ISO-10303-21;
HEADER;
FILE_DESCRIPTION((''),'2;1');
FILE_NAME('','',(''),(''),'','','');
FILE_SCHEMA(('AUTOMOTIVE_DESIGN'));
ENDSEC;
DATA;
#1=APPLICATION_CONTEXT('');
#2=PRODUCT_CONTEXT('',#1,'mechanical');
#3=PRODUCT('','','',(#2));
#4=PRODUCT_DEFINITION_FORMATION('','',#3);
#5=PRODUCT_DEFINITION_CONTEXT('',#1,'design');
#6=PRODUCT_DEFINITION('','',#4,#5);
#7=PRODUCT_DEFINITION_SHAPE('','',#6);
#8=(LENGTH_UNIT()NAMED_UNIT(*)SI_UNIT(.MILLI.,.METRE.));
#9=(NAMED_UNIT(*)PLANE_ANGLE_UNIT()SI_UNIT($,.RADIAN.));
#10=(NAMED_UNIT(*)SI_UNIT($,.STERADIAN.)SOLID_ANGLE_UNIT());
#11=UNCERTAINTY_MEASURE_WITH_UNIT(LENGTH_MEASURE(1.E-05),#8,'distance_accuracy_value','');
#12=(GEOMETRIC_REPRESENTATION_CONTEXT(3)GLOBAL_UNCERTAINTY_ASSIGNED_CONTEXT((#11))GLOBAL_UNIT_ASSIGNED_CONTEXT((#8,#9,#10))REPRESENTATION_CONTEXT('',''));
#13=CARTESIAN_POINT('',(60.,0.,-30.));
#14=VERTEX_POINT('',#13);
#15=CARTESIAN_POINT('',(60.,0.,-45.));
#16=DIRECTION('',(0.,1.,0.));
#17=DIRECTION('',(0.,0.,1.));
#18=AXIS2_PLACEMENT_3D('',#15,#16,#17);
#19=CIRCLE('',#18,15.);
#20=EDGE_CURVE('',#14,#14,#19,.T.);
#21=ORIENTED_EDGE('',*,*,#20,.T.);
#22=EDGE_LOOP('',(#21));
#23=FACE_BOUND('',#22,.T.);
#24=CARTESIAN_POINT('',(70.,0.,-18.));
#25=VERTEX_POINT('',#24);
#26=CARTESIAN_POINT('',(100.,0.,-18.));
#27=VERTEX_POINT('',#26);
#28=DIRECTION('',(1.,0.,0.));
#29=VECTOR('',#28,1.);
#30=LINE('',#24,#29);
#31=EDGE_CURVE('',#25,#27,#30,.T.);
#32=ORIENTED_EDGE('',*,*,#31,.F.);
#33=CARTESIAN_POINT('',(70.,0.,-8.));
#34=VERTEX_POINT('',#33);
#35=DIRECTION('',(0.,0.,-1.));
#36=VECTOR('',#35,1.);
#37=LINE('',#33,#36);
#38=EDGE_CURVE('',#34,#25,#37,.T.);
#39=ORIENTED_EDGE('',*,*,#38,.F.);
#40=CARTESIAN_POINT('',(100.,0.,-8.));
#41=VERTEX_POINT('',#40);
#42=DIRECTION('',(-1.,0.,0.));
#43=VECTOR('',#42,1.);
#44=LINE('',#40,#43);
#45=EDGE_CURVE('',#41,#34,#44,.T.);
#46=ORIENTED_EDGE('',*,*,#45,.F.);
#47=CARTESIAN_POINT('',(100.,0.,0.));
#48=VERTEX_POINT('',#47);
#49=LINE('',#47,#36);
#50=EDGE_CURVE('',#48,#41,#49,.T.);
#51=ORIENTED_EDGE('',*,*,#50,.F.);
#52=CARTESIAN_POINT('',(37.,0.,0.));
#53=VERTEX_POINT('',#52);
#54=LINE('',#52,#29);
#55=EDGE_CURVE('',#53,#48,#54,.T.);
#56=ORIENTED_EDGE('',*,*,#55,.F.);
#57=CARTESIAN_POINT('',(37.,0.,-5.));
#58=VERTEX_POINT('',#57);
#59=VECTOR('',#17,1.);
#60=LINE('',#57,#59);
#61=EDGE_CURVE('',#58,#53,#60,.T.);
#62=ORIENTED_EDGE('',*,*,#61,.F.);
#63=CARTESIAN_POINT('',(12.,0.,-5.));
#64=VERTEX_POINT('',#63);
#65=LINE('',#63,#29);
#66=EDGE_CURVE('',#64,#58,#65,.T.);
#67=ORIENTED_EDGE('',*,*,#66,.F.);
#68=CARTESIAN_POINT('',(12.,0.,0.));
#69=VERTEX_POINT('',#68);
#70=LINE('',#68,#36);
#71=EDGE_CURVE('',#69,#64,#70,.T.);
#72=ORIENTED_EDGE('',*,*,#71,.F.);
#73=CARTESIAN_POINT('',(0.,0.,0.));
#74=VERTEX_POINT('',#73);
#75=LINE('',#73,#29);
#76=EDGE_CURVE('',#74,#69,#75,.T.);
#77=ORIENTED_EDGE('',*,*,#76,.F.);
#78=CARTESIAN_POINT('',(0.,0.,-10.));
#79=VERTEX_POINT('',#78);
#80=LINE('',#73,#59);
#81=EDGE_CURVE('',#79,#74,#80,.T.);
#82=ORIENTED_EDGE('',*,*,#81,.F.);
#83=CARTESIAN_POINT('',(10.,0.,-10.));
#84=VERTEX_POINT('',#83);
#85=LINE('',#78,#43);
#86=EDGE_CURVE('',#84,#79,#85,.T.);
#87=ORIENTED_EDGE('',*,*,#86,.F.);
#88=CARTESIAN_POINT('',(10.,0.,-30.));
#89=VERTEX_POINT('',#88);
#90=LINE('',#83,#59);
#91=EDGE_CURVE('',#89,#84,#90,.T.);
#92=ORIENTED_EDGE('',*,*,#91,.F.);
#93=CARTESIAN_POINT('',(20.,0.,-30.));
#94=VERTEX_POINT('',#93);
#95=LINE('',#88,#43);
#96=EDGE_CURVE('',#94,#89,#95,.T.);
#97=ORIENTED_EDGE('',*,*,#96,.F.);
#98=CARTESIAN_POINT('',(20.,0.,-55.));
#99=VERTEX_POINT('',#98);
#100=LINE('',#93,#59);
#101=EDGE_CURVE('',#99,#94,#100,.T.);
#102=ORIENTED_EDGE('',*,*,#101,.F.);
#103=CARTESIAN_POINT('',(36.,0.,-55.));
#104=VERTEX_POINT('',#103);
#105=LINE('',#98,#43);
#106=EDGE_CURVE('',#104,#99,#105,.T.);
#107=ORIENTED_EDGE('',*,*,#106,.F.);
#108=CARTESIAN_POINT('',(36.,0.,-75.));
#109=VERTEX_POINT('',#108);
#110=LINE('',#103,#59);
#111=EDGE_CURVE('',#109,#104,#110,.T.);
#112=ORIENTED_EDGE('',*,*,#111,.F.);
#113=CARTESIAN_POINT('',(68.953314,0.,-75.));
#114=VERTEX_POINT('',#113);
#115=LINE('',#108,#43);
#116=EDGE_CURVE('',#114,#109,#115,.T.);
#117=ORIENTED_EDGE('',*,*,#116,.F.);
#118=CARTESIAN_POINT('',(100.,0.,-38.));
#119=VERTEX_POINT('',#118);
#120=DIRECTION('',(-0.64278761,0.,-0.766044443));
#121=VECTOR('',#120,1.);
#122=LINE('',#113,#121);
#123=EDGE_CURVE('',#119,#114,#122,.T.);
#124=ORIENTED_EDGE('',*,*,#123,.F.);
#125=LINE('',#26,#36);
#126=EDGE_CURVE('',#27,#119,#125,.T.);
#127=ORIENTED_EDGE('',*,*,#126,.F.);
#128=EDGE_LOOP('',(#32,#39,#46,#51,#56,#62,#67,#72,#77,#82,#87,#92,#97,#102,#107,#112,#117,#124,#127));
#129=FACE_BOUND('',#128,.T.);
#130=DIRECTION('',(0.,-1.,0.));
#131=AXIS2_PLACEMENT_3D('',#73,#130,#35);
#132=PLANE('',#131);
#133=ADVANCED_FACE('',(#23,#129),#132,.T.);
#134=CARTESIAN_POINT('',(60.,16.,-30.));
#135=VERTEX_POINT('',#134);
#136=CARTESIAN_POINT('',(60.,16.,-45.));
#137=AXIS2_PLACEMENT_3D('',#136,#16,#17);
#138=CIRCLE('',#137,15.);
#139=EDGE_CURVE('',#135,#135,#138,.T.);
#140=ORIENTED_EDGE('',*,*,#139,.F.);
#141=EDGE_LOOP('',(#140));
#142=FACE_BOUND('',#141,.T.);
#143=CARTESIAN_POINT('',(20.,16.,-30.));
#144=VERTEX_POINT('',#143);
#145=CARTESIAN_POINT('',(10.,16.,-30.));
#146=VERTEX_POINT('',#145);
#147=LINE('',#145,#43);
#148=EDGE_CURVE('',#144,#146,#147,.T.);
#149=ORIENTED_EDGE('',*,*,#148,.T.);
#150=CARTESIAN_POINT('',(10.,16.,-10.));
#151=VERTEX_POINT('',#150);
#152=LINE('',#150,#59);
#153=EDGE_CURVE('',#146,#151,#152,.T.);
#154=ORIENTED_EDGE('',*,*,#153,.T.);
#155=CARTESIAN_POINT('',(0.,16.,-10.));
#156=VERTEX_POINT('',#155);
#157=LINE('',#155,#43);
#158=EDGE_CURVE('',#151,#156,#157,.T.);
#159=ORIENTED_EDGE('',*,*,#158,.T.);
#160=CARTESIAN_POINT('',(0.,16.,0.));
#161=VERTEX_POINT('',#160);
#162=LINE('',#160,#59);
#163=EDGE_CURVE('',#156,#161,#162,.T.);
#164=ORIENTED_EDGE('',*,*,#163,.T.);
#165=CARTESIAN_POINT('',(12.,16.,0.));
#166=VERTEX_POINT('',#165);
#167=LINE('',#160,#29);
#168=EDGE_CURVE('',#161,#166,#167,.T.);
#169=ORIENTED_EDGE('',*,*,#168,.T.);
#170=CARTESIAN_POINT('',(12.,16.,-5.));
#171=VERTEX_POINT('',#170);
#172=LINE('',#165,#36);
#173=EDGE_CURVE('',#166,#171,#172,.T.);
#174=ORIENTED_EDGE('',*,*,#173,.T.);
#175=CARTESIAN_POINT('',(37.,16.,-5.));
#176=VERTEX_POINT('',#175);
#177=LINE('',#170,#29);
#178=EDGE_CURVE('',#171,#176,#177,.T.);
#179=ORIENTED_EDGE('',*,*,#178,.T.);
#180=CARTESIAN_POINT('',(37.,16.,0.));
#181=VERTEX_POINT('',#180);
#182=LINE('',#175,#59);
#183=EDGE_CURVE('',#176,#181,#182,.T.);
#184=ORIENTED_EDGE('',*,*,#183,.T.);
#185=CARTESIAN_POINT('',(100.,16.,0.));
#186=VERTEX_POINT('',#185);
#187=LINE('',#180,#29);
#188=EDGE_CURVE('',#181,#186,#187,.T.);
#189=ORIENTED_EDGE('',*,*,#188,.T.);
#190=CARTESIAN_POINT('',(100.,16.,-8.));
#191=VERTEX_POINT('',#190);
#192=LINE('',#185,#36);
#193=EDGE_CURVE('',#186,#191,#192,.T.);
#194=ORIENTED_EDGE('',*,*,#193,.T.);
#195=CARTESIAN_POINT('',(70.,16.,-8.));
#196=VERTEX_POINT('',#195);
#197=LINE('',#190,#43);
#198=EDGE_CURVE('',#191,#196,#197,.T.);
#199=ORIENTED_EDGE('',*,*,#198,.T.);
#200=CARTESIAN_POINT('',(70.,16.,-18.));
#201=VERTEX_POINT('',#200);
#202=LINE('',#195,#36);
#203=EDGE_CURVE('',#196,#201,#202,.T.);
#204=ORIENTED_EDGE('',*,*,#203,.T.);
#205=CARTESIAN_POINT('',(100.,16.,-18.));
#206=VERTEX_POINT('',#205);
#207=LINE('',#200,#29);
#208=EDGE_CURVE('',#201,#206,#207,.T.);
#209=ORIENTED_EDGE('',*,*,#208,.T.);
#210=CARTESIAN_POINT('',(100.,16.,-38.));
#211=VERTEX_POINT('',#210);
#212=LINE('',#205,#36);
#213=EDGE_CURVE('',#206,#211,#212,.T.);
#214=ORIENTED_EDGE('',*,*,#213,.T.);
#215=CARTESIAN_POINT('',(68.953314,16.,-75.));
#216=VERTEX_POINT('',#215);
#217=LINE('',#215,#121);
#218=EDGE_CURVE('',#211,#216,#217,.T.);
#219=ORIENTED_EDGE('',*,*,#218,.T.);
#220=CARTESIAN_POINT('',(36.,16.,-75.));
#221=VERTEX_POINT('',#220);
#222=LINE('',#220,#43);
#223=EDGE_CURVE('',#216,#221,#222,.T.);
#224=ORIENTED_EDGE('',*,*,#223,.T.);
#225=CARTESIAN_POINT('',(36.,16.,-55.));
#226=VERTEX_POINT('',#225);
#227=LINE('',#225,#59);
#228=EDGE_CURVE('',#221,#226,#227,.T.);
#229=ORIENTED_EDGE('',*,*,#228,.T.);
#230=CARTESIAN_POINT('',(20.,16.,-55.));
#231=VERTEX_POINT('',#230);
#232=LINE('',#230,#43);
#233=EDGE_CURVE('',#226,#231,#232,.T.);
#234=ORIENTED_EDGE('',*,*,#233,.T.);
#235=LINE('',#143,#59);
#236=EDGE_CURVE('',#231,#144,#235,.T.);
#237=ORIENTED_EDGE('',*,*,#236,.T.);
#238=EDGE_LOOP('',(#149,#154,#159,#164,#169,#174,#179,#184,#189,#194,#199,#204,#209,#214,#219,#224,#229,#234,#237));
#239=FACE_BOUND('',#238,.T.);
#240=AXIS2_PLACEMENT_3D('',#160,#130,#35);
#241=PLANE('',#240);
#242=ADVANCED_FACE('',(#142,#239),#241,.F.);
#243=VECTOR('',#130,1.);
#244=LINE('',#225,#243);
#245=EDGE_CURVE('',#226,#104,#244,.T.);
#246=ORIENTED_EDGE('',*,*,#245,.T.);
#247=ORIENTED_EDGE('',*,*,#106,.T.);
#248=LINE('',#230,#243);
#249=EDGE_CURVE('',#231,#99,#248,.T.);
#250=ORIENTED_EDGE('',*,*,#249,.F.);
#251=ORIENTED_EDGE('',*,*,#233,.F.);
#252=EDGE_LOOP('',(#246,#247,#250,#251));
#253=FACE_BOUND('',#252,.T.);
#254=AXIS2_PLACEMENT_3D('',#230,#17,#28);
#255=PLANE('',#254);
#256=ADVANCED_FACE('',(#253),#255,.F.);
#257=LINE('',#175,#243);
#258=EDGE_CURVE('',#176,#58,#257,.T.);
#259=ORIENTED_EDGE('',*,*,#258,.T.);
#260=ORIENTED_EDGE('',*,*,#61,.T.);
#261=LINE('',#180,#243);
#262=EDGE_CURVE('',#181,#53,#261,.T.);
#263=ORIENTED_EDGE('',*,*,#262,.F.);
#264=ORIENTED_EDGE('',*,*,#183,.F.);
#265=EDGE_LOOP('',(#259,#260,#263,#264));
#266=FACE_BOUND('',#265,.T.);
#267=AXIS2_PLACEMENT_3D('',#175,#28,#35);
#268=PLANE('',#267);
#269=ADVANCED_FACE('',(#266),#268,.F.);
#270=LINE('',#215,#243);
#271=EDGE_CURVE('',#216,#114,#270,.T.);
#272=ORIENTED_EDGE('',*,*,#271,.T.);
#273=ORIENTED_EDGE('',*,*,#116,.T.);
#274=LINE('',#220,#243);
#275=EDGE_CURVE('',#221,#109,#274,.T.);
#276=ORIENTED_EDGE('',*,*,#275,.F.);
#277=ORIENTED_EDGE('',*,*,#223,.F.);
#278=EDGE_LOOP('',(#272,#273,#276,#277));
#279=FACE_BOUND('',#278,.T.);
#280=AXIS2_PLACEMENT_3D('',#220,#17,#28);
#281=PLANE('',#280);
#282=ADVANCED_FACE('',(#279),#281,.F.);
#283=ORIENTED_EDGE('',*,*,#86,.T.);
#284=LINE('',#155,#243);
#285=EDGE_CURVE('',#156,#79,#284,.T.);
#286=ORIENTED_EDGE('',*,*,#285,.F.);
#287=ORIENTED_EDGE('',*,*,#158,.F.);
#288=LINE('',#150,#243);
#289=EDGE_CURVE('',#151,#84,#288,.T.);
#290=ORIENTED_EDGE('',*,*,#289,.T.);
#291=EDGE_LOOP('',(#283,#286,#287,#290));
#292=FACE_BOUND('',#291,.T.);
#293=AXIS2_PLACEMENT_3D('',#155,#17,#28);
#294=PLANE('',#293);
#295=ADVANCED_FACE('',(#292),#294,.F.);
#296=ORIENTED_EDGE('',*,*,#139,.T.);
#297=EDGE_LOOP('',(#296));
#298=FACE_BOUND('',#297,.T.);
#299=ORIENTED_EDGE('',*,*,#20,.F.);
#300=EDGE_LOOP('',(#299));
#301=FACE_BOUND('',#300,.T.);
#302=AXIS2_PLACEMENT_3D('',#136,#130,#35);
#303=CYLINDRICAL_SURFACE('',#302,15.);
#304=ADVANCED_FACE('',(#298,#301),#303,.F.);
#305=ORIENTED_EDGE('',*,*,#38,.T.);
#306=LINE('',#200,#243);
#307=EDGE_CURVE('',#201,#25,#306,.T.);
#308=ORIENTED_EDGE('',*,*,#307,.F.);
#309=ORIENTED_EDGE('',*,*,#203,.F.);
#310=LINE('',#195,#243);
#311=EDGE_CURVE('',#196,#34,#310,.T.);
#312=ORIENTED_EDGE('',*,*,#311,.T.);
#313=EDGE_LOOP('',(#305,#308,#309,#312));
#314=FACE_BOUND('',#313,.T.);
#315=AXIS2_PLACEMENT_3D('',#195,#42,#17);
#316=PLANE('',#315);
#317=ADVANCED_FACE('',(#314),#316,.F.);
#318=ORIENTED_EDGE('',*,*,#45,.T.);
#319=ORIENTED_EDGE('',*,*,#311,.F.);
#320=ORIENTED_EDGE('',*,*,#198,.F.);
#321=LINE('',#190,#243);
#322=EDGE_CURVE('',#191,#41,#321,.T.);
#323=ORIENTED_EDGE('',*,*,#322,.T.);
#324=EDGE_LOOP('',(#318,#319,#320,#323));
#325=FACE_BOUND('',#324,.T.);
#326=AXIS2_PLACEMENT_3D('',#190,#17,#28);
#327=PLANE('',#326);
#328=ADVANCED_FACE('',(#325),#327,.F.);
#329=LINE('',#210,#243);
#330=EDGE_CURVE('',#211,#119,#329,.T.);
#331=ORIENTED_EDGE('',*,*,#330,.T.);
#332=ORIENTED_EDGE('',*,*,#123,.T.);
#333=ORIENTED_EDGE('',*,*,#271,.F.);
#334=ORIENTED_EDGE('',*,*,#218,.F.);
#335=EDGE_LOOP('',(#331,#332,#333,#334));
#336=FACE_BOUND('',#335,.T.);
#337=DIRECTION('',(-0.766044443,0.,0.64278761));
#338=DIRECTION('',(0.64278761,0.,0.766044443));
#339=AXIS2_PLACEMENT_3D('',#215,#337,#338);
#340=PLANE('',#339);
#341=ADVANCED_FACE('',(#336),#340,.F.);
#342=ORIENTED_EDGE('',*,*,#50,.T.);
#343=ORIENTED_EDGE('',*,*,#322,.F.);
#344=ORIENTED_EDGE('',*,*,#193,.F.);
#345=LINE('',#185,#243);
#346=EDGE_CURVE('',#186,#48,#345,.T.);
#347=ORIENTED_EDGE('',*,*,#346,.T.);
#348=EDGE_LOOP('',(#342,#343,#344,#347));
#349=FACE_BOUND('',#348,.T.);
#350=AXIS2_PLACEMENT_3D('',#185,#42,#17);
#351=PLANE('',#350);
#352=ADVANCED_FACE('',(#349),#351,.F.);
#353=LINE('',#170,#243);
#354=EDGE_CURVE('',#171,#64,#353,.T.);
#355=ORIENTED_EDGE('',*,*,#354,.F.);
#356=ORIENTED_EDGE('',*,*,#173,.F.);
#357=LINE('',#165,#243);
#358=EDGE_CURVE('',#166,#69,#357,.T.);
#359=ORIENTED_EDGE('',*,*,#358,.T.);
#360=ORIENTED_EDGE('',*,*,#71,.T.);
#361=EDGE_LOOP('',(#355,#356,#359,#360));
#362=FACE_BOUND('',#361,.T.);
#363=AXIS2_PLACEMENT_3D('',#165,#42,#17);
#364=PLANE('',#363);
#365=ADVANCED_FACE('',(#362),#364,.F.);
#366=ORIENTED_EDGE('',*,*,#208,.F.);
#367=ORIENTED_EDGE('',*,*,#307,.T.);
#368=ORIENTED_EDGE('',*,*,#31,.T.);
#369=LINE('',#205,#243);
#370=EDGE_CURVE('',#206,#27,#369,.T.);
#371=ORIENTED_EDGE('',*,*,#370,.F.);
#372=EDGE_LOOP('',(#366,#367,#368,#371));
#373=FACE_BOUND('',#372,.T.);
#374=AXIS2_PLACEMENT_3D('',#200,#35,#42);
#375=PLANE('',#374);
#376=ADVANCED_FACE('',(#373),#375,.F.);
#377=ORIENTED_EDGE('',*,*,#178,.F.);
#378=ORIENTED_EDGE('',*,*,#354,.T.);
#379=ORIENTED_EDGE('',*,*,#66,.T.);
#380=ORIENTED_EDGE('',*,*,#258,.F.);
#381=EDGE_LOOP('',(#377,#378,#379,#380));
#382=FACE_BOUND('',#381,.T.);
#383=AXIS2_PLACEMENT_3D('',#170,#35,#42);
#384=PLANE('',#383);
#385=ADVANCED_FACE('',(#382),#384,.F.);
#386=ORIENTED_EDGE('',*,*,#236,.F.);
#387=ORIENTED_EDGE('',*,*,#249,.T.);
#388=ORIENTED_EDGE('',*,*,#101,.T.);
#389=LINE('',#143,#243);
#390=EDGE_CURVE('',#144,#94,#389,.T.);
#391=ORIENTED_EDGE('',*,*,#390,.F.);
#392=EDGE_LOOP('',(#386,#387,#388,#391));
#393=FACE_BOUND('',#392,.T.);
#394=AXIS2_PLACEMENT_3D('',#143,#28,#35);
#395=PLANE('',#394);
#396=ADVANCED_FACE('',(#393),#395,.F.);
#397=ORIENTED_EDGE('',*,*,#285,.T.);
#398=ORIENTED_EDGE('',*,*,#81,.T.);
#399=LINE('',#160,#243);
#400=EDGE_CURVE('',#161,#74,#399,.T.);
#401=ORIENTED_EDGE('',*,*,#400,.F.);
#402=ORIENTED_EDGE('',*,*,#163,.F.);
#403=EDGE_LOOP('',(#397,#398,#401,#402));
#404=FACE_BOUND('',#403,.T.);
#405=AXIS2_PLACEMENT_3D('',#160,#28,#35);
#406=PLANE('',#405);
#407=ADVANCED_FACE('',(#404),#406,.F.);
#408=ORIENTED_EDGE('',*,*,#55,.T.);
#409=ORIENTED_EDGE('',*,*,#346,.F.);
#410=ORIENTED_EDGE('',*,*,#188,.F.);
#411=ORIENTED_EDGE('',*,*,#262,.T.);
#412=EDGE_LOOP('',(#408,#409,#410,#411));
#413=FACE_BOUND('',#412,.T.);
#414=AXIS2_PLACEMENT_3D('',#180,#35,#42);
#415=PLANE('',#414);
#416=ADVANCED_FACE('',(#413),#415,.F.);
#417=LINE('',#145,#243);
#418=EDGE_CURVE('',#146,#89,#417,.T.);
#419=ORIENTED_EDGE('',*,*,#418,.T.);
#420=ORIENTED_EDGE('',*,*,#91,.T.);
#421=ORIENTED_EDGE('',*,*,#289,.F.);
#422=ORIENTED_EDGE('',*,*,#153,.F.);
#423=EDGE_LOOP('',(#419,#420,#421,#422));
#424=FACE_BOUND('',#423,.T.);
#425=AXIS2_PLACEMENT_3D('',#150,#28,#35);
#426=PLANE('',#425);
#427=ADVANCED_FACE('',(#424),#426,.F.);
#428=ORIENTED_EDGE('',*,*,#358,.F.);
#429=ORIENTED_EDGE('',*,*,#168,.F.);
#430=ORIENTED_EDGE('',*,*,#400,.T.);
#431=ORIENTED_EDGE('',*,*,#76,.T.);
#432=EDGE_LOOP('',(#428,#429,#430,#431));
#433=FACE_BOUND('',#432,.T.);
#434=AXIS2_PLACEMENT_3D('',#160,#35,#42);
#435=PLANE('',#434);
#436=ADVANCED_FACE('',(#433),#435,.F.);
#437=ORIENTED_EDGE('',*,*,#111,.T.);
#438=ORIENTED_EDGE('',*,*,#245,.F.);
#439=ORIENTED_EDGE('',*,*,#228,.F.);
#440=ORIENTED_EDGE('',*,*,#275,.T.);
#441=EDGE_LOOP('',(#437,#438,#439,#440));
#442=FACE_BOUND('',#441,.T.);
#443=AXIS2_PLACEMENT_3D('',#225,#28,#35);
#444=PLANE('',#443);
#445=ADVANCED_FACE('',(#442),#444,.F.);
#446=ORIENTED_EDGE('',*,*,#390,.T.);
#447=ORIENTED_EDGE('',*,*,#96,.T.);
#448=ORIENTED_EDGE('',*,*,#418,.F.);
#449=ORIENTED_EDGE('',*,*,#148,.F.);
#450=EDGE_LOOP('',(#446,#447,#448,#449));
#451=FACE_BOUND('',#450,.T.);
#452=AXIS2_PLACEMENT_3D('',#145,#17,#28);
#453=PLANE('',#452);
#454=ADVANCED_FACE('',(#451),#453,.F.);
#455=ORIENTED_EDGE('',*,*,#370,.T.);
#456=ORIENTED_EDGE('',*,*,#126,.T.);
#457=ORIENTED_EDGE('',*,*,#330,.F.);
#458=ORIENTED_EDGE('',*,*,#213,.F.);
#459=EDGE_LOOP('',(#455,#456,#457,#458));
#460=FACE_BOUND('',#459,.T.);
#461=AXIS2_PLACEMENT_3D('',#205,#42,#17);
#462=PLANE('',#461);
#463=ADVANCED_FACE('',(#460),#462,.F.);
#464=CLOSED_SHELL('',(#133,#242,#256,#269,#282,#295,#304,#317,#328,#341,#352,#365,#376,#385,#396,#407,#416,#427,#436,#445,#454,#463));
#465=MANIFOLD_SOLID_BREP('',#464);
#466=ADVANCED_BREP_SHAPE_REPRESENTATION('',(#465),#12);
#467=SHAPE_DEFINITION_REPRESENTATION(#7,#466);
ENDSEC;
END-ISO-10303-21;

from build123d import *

# Parameters (mm, degrees)
SKETCH1_R           = 15
BOSS_EXTRUDE1_DEPTH = 16


with BuildPart() as part:
    # Sketch1 → Boss-Extrude1 (new body)
    with BuildSketch(Plane(origin=(0, 0, 0), x_dir=(1, 0, 0), z_dir=(0, 1, 0))):
        Polygon((0, 0), (12, 0), (12, 5), (37, 5), (37, 0), (100, 0), (100, 8), (70, 8), (70, 18), (100, 18), (100, 38), (68.953313646, 75), (36, 75), (36, 55), (20, 55), (20, 30), (10, 30), (10, 10), (0, 10), align=None)
        with Locations((60, 45)):
            Circle(SKETCH1_R, mode=Mode.SUBTRACT)
    extrude(amount=BOSS_EXTRUDE1_DEPTH)


solid = part.part
